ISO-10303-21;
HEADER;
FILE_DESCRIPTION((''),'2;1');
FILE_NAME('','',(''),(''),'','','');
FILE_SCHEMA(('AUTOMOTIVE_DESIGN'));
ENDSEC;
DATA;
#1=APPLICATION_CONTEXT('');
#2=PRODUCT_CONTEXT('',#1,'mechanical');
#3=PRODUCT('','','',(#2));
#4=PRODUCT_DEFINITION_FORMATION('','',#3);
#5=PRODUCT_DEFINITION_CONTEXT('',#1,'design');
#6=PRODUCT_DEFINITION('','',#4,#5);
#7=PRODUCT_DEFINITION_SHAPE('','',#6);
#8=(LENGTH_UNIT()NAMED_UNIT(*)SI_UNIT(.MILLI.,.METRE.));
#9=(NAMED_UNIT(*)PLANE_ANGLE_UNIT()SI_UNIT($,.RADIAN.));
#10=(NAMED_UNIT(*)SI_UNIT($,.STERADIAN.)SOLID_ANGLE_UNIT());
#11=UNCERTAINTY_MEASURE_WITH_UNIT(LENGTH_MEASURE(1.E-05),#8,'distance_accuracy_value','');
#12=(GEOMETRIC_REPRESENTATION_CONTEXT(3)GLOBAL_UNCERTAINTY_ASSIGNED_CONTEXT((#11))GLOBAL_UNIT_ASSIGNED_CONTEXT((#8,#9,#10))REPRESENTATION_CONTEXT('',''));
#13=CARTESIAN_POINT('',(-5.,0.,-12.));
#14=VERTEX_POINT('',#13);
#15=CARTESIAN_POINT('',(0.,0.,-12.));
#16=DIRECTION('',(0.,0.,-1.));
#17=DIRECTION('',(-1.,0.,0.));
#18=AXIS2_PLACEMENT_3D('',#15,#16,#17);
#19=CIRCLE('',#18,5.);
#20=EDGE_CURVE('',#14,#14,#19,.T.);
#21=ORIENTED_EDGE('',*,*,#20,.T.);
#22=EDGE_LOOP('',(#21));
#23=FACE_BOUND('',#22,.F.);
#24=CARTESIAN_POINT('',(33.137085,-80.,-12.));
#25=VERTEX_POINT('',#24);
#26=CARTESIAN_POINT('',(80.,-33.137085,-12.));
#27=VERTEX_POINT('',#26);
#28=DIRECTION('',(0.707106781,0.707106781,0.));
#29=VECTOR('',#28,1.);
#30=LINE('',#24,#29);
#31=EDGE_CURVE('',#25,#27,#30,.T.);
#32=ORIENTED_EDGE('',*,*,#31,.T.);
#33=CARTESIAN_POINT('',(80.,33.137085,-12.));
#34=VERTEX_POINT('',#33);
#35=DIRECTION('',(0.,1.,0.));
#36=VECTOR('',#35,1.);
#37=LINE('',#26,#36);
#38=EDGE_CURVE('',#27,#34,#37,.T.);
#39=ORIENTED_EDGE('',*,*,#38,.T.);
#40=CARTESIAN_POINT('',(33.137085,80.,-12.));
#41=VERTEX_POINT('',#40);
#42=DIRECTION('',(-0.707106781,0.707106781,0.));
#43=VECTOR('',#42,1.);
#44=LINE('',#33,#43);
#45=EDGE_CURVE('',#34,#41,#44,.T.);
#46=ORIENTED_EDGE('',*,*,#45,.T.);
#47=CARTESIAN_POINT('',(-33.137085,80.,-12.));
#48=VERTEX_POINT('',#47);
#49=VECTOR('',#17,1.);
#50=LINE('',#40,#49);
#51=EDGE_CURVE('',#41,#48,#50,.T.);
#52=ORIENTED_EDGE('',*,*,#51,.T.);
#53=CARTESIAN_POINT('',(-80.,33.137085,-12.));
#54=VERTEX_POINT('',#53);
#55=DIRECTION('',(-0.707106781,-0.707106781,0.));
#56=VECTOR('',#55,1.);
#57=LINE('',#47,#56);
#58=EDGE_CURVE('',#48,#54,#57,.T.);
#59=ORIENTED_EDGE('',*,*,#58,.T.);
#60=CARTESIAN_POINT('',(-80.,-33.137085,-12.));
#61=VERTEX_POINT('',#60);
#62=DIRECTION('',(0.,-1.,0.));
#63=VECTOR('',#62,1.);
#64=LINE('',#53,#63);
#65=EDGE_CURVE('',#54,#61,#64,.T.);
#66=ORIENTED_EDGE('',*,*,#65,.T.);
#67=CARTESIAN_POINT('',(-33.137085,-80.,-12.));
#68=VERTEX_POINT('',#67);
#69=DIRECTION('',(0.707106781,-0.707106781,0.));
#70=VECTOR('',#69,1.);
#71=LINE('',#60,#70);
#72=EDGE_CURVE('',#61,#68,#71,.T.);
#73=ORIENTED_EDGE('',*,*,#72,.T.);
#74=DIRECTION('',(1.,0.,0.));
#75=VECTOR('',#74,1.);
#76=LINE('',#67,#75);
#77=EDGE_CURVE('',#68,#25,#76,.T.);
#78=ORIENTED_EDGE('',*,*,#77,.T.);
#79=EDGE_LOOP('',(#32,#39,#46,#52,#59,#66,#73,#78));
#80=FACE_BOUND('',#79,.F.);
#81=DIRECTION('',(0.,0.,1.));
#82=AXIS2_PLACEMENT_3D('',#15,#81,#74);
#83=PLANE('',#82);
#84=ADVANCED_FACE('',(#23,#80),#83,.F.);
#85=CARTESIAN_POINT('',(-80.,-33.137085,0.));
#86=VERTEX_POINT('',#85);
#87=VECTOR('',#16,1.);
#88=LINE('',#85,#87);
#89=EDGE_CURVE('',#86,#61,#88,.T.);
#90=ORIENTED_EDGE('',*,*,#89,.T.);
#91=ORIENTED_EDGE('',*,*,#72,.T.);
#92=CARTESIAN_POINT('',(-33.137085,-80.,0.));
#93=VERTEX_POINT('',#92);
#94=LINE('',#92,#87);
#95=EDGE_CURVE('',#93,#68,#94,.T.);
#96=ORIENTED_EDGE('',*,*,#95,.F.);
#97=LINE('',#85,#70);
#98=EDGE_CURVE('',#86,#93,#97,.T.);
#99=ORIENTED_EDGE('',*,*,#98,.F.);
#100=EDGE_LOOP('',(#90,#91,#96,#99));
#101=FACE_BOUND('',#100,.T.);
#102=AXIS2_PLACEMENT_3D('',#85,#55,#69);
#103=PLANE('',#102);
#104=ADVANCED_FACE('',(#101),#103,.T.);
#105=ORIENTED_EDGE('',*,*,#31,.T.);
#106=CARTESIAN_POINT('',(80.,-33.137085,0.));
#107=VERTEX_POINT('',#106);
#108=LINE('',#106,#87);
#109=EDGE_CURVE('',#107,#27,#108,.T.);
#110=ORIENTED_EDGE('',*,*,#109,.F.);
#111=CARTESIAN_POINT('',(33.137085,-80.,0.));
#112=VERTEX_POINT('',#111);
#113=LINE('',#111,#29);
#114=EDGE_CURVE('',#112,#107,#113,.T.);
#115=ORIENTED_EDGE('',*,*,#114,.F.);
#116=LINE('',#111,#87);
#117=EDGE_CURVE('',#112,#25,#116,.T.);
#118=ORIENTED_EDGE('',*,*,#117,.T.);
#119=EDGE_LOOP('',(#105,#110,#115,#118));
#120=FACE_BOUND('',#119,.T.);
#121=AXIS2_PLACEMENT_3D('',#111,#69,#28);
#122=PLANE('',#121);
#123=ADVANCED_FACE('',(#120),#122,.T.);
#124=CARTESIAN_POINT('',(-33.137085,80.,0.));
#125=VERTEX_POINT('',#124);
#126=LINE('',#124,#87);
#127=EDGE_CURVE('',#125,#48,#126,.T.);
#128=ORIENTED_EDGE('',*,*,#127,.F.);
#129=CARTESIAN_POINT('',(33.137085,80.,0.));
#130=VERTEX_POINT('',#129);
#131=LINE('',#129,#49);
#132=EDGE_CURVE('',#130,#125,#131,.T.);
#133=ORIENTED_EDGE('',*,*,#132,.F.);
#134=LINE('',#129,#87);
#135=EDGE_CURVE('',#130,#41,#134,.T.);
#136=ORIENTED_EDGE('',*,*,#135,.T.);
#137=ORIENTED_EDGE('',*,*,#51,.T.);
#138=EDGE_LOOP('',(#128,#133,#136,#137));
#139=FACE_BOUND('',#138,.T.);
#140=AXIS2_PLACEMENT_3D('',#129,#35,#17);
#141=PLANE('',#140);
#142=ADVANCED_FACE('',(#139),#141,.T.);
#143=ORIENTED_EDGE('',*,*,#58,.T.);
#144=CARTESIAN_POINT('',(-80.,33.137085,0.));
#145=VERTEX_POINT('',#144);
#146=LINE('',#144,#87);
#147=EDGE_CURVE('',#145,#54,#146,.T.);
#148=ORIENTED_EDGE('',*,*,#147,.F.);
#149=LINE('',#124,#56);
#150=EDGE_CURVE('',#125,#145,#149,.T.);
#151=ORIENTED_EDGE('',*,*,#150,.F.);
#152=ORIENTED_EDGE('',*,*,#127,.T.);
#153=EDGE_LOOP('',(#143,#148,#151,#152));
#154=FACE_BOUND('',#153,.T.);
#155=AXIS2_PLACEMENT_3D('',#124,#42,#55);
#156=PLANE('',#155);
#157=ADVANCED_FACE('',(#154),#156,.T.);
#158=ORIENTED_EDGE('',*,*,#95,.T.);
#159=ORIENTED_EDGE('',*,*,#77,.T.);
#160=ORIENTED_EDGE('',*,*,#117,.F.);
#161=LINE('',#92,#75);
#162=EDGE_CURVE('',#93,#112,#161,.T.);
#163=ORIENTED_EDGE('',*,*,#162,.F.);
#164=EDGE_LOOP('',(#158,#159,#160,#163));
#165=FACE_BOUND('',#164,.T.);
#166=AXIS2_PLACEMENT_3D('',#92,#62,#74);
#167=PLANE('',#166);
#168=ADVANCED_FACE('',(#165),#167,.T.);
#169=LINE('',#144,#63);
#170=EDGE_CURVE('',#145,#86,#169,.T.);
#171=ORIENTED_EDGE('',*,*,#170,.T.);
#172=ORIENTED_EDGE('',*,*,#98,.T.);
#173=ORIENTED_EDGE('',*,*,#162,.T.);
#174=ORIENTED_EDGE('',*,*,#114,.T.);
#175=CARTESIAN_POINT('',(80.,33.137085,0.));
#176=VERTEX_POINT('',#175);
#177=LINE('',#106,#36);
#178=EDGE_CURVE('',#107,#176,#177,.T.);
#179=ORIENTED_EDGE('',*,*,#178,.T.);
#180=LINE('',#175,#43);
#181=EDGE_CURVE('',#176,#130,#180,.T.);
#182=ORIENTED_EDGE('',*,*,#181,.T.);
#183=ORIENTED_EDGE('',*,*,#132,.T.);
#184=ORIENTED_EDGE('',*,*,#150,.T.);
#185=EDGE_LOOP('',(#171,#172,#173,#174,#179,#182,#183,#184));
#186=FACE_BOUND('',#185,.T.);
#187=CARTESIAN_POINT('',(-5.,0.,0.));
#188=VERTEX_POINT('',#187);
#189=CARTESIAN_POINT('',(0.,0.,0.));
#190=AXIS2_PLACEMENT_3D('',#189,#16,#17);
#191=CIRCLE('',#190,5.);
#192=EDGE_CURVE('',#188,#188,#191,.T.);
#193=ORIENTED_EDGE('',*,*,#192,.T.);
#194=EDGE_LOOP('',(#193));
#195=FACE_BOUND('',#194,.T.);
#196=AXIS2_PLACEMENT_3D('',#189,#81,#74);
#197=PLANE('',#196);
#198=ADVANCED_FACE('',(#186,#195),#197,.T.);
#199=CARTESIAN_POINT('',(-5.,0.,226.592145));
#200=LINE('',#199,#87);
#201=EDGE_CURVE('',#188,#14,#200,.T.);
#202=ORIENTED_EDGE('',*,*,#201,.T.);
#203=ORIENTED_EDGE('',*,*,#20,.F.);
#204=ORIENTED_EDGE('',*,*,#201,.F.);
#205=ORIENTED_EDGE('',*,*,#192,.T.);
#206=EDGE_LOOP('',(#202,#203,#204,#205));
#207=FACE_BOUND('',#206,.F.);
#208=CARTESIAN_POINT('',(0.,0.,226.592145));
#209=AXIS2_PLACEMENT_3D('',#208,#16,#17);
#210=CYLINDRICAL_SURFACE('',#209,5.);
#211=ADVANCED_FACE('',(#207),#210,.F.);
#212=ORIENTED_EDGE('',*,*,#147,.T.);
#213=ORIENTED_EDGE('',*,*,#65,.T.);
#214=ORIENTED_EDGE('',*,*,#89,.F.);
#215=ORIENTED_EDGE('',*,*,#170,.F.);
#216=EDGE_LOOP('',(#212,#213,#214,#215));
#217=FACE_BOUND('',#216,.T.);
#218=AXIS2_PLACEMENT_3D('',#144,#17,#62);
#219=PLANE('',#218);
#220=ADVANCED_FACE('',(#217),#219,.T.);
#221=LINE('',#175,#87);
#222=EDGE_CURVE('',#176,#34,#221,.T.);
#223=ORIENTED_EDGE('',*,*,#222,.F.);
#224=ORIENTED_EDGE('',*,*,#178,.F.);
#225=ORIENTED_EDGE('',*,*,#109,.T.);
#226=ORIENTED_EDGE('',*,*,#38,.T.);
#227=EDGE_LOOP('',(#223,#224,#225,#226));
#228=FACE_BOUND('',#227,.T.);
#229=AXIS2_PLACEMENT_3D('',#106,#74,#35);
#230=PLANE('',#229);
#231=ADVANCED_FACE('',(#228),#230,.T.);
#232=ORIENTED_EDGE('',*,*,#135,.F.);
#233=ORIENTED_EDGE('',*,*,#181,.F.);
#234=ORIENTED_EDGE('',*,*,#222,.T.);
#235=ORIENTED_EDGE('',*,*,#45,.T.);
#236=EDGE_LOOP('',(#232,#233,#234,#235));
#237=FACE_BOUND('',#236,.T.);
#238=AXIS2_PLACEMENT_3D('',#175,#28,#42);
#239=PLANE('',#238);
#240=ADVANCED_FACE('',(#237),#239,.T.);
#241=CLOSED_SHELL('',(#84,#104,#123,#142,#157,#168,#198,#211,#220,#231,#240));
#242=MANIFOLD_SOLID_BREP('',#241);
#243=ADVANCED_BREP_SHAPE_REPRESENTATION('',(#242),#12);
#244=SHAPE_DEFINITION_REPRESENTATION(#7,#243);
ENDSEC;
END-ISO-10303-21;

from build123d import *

# Parameters (mm, degrees)
F1_DEPTH = 12
F3_D     = 10


with BuildPart() as f1:
    # F0 (on Top) → F1 (new body)
    with BuildSketch(Plane.XY):
        Polygon((33.137085, 80), (-33.137085, 80), (-80, 33.137085), (-80, -33.137085), (-33.137085, -80), (33.137085, -80), (80, -33.137085), (80, 33.137085), align=None)
    extrude(amount=-F1_DEPTH)

    # F3 (through all)
    with Locations(Plane.XY):
        with Locations((0, 0)):
            Hole(F3_D / 2)


solid = f1.part
